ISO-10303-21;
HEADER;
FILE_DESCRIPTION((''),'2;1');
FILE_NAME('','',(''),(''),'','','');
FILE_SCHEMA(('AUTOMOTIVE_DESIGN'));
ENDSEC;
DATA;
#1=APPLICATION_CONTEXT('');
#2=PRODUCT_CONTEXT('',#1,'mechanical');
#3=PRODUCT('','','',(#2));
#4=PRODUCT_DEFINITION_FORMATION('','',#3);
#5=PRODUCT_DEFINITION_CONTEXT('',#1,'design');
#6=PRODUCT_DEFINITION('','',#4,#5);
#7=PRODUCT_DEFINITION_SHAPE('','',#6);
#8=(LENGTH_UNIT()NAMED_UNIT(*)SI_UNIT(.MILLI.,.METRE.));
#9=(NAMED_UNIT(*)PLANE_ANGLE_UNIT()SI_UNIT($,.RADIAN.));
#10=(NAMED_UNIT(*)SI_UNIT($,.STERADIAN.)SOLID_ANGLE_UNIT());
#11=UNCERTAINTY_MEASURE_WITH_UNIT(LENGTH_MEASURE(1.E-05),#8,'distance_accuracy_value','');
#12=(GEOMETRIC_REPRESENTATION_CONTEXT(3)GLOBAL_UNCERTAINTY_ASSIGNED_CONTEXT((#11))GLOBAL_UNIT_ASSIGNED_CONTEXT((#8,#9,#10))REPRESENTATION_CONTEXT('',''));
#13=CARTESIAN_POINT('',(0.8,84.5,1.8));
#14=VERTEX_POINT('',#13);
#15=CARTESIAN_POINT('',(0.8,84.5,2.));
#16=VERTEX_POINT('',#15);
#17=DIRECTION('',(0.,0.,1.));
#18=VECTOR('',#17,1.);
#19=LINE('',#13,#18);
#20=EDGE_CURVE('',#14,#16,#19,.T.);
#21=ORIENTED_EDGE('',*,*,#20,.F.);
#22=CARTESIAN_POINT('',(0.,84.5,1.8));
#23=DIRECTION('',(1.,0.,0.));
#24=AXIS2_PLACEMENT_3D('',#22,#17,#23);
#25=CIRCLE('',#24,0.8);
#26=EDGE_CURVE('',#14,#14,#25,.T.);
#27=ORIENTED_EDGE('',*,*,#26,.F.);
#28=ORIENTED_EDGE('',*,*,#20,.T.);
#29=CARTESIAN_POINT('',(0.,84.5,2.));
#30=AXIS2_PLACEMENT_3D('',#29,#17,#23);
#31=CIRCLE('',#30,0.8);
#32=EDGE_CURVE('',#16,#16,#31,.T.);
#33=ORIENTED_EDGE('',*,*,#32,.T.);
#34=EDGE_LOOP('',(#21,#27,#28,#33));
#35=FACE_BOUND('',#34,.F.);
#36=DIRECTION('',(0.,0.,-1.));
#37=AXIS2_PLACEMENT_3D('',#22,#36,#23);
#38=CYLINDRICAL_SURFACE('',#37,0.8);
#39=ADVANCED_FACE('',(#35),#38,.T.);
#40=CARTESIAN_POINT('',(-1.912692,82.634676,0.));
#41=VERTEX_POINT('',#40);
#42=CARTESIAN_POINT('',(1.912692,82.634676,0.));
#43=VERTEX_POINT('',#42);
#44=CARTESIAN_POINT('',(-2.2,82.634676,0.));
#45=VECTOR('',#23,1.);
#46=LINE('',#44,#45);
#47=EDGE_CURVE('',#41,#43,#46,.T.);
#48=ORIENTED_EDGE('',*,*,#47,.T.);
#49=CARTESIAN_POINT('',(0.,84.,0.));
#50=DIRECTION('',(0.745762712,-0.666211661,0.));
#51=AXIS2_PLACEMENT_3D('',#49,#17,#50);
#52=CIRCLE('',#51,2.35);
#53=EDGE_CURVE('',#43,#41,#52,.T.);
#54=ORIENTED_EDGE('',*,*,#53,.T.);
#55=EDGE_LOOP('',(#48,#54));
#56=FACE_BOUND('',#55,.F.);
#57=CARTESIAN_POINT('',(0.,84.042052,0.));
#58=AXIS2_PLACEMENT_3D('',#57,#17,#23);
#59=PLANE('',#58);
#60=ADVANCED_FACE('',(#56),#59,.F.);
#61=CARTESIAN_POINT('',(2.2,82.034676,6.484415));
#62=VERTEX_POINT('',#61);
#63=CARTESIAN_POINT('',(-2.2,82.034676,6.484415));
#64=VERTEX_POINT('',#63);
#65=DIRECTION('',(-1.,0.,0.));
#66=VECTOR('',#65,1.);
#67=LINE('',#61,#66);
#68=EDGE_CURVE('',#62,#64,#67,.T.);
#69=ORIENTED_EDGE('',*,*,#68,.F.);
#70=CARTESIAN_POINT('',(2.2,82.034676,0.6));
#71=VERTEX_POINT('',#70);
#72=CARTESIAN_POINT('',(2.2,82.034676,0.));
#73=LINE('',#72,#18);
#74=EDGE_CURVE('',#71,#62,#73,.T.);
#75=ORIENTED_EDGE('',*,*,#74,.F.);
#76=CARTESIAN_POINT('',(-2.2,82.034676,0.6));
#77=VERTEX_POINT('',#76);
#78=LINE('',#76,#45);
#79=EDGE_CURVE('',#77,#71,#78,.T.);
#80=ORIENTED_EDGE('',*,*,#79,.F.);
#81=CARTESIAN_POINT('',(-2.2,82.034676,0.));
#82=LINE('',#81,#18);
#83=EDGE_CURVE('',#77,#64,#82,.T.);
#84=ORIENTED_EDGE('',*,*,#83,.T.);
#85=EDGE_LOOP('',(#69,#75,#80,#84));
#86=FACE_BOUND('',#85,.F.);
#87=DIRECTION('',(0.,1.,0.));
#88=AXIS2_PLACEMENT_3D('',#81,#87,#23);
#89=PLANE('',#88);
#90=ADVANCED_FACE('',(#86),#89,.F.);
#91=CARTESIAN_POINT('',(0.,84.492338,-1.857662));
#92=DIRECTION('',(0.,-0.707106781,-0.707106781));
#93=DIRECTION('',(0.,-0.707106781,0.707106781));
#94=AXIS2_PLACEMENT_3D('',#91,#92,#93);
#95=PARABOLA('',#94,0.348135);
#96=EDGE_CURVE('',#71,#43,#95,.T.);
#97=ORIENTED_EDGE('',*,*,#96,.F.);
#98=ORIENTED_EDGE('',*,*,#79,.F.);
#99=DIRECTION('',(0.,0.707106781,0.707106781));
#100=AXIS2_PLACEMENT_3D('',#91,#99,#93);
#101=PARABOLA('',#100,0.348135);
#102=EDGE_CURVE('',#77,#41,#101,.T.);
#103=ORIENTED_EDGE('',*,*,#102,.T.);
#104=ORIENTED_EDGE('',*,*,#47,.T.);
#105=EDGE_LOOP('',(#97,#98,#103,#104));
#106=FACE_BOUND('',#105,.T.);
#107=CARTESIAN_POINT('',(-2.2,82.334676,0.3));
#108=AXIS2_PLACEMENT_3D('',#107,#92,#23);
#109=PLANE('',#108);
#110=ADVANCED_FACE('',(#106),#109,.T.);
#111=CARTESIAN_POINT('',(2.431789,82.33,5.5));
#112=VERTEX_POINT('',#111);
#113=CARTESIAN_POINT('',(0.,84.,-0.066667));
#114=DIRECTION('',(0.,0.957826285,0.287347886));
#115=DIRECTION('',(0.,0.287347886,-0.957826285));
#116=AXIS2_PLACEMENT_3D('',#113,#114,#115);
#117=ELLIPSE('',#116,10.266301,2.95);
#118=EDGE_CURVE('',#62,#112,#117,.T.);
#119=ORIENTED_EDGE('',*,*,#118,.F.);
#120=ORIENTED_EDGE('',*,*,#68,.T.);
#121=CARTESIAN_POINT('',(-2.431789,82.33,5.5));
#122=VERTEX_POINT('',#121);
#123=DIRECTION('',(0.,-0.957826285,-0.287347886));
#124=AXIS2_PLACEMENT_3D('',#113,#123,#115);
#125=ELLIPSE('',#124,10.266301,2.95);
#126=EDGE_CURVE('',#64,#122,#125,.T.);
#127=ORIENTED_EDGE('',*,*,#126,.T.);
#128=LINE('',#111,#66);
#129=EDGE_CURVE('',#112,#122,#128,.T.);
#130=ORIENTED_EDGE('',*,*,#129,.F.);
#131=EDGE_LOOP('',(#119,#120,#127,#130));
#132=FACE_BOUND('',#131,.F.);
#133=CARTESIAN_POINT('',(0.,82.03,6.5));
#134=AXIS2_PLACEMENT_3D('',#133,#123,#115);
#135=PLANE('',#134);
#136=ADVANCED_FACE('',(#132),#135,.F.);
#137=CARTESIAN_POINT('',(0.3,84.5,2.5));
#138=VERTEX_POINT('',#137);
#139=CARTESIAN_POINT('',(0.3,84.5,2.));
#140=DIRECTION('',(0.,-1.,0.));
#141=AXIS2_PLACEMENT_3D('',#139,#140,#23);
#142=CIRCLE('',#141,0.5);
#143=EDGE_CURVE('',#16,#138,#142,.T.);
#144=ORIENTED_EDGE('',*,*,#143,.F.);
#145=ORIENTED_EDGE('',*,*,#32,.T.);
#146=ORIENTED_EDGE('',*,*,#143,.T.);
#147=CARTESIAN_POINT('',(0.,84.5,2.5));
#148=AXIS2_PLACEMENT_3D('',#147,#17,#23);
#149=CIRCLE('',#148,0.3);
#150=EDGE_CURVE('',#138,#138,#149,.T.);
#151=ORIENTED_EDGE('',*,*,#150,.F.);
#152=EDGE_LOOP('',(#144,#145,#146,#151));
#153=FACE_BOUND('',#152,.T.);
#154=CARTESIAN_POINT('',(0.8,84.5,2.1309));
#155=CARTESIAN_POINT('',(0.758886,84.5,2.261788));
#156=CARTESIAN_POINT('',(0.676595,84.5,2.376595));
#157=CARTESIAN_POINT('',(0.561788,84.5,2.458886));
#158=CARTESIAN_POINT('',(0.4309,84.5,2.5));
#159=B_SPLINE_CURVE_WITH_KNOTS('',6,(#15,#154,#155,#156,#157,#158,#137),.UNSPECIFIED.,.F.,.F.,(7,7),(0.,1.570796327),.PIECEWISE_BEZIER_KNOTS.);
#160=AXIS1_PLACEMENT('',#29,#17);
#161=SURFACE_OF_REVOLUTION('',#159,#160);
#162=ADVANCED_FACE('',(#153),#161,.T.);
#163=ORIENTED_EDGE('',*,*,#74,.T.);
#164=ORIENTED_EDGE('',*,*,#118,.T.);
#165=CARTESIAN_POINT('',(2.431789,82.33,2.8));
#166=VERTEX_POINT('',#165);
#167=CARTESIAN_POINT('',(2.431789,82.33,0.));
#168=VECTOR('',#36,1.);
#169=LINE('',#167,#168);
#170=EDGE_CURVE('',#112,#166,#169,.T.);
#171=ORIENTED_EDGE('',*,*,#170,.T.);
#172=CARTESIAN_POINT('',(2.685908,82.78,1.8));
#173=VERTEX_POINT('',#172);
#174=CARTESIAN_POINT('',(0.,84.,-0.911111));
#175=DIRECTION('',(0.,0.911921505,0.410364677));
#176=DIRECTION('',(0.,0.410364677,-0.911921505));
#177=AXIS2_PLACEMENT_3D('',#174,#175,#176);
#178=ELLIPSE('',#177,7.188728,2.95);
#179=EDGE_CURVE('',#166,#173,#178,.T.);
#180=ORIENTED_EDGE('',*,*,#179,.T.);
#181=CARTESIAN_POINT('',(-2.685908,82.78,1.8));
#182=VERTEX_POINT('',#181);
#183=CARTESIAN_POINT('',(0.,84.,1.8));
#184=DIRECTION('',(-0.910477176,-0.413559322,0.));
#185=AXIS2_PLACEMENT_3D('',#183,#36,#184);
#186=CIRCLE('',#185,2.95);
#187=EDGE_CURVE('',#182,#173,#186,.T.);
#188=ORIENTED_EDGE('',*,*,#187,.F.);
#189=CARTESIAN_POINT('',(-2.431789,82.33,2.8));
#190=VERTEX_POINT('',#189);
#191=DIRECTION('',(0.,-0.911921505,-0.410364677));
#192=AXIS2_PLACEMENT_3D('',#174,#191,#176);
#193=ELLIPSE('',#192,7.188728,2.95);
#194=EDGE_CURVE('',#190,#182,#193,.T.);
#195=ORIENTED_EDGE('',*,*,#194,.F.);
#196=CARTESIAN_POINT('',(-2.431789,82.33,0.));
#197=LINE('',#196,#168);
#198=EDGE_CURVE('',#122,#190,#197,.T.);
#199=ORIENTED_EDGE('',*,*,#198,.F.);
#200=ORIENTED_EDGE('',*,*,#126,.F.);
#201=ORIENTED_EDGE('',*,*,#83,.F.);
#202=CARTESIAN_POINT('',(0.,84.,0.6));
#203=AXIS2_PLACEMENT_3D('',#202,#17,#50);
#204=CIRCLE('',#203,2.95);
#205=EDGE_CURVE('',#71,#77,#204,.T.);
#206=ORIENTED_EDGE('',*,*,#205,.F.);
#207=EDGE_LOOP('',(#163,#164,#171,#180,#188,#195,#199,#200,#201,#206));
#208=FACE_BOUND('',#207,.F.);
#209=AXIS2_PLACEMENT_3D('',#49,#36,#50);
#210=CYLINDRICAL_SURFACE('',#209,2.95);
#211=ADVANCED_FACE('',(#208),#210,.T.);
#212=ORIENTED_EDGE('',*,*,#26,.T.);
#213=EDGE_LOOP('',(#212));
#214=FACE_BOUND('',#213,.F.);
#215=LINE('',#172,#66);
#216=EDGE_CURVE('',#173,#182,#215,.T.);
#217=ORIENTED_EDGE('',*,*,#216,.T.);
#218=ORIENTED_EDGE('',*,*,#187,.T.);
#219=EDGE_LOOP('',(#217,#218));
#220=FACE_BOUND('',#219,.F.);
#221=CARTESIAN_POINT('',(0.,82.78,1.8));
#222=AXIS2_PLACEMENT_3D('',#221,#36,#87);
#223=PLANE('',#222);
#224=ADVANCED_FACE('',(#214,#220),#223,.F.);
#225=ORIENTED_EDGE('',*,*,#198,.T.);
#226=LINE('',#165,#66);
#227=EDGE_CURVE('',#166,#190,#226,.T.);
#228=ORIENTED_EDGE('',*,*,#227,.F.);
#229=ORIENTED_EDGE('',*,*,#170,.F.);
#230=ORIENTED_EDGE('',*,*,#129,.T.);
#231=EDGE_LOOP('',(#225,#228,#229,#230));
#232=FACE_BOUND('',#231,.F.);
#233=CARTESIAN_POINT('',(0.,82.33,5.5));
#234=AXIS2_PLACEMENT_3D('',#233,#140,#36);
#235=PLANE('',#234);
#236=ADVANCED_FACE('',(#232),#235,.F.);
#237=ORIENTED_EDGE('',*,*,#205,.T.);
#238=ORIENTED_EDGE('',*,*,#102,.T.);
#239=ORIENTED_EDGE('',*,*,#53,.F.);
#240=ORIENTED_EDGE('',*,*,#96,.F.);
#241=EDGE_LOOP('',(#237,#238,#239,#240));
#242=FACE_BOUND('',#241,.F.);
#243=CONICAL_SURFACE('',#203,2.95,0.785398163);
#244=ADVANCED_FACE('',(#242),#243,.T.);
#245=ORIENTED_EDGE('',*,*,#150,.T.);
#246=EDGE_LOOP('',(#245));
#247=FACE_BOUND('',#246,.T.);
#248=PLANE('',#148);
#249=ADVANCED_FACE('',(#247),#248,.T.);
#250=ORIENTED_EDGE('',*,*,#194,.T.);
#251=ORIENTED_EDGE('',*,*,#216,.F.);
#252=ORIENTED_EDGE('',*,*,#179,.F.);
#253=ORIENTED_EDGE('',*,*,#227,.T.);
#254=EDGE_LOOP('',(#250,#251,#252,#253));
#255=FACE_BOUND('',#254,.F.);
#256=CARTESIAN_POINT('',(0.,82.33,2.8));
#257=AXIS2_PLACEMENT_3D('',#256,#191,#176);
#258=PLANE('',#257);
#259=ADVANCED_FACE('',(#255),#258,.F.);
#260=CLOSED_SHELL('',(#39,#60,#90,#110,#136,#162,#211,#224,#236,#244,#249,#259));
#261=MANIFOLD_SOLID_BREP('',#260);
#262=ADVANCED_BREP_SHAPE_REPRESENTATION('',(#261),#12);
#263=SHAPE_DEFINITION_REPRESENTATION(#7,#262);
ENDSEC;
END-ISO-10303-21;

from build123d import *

# Parameters (mm, degrees)
PAD003_DEPTH         = 6.5
POCKET004_DEPTH      = 2.951
POCKET004_DEPTH_BACK = 2.951
SKETCH013_R          = 0.8
PAD006_DEPTH         = 0.7
FILLET_R             = 0.5
CHAMFER004_SIZE      = 0.6


with BuildPart() as part:
    # Sketch004 → Pad003 (new body)
    with BuildSketch(Plane.XY):
        with BuildLine():
            ThreePointArc((2.2, -1.9653244007), (0, 2.95), (-2.2, -1.9653244007))
            Line((-2.2, -1.9653244007), (2.2, -1.9653244007))
        make_face()
    extrude(amount=PAD003_DEPTH)

    # Sketch014 → Pocket004 (cut, two sides)
    with BuildSketch(Plane.YZ) as pocket004_sk:
        Polygon((-1.97, 6.5), (-1.67, 5.5), (-1.67, 2.8), (-1.22, 1.8), (4, 1.8), (4, 6.5), align=None)
    extrude(amount=-POCKET004_DEPTH, mode=Mode.SUBTRACT)
    extrude(pocket004_sk.sketch, amount=POCKET004_DEPTH_BACK, mode=Mode.SUBTRACT)

    # Sketch013 (on Face7 of Pocket004) → Pad006 (join)
    with BuildSketch(Plane.XY.offset(1.8)):
        with Locations((0, 0.5)):
            Circle(SKETCH013_R)
    extrude(amount=PAD006_DEPTH)

    # Fillet
    fillet_edges = [part.edges().sort_by_distance(p)[0] for p in [
        (-0.8, 0.5, 2.5),
    ]]
    fillet(fillet_edges, radius=FILLET_R)

    # Chamfer004
    chamfer004_edges = [part.edges().sort_by_distance(p)[0] for p in [
        (0, 2.95, 0),
        (0, -1.965324, 0),
    ]]
    chamfer(chamfer004_edges, length=CHAMFER004_SIZE)


with BuildPart() as part_1:
    # Body033 placement: moved
    add(part.part.moved(Location((0, 84, 0))))


solid = part_1.part
